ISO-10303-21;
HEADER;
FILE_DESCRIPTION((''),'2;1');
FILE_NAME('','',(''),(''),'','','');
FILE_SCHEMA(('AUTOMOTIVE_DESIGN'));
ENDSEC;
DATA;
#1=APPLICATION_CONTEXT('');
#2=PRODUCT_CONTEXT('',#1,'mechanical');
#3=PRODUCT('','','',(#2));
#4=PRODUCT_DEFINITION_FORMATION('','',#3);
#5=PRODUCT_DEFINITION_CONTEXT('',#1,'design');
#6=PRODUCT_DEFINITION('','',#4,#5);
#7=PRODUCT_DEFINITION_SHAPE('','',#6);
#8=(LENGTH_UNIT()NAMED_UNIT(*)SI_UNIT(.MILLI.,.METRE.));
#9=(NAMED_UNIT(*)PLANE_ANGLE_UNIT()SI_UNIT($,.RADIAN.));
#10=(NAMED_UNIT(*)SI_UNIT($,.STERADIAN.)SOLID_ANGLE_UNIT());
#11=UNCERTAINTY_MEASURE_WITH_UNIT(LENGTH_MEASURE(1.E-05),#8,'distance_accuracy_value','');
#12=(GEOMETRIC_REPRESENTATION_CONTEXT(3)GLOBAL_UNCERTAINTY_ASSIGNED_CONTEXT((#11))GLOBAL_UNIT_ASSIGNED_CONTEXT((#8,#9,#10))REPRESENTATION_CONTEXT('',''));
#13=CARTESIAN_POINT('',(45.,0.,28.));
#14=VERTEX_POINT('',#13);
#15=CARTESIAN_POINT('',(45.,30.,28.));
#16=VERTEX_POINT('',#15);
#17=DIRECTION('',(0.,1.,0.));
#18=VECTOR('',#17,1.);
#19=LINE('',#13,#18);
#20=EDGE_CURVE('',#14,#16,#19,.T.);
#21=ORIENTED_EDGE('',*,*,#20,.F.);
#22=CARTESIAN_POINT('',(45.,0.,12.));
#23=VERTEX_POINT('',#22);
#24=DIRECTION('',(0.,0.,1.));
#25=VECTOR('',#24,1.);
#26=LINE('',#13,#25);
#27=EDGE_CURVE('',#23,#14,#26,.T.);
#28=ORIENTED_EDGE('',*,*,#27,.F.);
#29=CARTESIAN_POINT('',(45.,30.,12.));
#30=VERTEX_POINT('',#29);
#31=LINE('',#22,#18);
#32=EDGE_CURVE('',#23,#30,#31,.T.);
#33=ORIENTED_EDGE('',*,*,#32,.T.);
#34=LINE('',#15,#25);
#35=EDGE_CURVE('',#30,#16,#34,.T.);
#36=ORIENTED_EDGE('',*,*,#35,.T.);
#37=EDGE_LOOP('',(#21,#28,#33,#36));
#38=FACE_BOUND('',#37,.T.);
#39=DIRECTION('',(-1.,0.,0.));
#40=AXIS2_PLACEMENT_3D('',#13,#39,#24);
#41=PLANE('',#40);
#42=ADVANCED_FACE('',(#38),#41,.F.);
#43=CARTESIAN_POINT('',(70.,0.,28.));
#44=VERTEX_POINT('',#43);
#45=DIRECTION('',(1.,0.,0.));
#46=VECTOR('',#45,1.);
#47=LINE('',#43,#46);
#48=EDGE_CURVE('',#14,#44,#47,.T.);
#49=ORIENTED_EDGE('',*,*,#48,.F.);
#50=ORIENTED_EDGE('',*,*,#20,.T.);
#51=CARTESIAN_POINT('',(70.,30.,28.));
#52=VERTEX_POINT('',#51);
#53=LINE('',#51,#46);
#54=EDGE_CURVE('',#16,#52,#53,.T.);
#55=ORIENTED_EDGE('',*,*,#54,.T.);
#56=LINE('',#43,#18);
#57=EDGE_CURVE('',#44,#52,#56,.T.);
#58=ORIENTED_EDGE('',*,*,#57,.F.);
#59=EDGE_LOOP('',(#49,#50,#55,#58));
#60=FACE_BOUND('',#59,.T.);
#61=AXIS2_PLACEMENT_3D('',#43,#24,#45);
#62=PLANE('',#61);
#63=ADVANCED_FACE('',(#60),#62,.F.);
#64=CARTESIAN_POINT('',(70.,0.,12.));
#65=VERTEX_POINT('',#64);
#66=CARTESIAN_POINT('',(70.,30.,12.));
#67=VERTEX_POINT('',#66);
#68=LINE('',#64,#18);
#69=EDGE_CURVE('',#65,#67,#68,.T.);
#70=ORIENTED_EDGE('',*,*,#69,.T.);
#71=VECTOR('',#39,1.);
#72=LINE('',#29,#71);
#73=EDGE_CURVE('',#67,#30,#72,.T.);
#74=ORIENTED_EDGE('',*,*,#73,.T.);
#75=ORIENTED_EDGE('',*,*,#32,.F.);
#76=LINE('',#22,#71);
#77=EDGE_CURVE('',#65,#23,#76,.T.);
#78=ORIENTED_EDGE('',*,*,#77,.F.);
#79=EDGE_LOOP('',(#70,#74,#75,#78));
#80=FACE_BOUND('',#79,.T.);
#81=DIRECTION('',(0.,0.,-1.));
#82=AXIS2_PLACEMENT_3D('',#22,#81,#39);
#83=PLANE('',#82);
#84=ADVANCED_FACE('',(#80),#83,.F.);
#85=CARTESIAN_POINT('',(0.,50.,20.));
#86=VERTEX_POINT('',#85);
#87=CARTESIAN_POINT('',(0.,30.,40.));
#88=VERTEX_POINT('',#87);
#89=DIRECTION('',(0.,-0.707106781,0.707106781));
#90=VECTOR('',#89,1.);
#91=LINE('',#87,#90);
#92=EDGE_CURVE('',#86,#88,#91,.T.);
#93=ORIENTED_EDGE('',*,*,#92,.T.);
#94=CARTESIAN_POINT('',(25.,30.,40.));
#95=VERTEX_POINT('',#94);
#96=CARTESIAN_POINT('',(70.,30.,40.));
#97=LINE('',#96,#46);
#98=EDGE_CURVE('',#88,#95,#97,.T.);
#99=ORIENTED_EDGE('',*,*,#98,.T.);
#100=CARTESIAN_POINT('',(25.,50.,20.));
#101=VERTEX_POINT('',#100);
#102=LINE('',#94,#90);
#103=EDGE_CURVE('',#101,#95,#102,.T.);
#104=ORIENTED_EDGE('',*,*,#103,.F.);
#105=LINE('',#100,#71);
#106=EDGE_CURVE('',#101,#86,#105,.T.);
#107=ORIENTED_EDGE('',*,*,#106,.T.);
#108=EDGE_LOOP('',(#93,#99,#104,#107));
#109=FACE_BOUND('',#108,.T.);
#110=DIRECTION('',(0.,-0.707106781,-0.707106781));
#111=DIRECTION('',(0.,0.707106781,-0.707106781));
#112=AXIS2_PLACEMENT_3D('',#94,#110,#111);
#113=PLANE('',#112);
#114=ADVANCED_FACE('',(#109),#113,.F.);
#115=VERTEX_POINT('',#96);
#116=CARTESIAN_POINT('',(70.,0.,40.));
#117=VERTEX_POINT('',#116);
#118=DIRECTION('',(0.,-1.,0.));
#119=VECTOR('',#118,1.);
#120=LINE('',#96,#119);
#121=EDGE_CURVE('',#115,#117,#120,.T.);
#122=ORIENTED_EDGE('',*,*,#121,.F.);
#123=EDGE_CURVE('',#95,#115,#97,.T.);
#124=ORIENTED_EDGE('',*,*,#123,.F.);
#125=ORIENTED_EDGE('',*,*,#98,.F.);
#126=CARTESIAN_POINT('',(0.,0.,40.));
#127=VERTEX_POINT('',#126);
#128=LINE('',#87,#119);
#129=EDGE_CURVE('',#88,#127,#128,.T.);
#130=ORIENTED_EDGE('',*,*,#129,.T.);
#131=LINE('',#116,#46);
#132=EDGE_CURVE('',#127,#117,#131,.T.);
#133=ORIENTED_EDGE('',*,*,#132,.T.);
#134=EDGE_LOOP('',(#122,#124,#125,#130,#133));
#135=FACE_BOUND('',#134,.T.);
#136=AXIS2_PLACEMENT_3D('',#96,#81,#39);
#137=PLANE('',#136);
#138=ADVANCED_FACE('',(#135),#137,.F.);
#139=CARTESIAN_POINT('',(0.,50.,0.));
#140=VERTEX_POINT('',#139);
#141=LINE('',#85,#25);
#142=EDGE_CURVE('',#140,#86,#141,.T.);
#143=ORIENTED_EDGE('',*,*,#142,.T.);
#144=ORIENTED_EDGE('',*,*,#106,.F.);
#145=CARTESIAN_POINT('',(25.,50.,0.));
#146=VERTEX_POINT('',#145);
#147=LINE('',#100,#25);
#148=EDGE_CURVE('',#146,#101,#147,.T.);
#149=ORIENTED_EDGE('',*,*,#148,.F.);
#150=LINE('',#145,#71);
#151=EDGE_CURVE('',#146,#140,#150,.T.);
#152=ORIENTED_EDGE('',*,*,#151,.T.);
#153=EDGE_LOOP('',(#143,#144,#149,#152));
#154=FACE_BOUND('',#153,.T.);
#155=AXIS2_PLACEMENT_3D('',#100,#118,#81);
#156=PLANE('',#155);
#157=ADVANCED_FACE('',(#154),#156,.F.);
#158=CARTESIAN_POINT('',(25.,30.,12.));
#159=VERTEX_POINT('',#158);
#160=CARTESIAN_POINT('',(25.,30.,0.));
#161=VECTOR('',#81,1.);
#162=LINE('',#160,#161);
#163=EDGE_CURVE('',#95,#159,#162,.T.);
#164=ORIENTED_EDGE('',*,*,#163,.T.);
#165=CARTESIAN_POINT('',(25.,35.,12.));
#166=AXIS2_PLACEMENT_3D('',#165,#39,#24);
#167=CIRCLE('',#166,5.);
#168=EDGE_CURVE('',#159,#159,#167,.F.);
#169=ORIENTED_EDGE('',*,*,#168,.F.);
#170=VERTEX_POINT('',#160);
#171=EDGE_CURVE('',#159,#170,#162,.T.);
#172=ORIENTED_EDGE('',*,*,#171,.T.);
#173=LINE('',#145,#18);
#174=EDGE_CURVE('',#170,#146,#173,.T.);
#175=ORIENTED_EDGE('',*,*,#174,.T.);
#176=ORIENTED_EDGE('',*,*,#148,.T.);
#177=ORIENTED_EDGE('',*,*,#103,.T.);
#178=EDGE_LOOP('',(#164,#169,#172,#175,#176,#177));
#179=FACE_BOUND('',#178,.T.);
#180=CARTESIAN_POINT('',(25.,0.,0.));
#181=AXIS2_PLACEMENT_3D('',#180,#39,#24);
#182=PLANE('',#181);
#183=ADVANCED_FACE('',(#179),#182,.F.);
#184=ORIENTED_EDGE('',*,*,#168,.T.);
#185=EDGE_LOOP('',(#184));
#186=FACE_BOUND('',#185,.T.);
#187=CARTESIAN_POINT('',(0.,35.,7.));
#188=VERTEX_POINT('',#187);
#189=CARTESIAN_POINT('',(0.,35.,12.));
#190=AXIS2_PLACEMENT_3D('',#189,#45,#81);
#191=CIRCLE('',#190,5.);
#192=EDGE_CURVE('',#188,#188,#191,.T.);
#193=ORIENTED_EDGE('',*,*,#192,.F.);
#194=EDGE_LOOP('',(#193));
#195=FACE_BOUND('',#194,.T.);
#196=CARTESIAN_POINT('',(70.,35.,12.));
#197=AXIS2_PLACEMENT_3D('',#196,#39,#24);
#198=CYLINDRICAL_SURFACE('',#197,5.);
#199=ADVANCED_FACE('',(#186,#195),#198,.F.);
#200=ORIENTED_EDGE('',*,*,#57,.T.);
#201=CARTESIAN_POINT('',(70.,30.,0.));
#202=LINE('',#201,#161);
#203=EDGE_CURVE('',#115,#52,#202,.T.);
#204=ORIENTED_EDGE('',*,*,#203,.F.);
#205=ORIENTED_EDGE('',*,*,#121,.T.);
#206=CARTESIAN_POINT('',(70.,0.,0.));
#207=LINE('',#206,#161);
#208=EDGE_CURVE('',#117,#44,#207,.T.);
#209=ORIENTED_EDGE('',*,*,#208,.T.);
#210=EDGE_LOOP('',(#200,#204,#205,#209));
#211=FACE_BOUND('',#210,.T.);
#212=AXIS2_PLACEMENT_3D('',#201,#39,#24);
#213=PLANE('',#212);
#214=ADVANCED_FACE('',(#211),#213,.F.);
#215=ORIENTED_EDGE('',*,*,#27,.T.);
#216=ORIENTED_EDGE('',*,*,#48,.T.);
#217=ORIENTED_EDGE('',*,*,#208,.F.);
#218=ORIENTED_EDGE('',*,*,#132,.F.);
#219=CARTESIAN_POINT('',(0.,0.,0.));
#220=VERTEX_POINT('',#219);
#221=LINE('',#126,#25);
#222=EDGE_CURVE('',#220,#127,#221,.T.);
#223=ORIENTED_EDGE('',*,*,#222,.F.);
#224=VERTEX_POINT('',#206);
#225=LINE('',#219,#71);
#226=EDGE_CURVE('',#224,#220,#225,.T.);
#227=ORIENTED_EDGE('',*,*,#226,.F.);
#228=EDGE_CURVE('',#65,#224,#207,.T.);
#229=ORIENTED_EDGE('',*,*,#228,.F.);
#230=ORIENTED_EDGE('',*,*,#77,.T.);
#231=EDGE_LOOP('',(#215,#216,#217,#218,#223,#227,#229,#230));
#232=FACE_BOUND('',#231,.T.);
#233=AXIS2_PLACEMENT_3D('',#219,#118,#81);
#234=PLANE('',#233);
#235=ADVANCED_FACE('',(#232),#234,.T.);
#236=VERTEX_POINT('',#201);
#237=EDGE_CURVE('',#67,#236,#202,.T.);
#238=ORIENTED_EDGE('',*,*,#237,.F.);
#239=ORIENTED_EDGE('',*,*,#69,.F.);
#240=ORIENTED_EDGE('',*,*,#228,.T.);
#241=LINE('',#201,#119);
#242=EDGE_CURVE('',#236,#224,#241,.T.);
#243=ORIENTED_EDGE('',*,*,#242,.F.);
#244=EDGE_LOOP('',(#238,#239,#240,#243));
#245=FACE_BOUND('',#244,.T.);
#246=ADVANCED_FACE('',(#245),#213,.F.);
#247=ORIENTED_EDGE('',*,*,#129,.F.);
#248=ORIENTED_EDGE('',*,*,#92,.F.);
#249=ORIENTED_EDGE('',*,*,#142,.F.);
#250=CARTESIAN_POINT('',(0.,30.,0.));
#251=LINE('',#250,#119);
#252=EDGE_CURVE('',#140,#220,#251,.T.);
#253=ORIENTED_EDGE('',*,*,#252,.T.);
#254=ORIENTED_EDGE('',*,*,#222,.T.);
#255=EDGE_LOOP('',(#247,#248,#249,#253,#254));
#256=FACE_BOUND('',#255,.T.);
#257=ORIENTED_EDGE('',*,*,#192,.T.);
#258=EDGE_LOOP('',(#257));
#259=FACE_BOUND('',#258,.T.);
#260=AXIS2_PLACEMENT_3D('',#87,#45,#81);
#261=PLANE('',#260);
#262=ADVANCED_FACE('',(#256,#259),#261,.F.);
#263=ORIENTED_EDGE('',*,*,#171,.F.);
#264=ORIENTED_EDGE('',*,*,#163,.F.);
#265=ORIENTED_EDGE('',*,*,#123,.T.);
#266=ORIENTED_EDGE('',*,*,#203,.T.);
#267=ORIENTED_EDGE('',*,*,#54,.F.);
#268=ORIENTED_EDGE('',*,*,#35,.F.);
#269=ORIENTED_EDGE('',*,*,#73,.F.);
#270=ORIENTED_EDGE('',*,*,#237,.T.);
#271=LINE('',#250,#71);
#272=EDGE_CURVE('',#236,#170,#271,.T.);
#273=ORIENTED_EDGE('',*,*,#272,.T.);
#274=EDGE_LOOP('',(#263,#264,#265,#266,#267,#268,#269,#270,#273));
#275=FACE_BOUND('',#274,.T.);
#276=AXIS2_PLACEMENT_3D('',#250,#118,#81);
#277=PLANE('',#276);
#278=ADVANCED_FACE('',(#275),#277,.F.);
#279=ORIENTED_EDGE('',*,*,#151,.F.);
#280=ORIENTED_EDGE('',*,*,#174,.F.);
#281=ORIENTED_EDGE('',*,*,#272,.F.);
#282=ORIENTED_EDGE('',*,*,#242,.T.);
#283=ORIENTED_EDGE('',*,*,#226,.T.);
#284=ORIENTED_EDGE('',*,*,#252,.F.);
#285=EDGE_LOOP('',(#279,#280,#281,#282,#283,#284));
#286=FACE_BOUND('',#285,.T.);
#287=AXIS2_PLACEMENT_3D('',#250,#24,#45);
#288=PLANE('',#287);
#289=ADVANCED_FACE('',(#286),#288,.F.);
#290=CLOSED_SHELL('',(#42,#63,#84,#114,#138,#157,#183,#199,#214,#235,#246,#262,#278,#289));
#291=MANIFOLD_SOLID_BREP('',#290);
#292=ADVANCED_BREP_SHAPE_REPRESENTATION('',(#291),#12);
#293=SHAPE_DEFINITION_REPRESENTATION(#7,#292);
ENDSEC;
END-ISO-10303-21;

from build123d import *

# Parameters (mm, degrees)
SKETCH_1_W          = 70
SKETCH_1_H          = 40
EXTRUDE_1_DEPTH     = 30
SKETCH_6_W          = 25
SKETCH_6_H          = 16
CUT_EXTRUDE_2_DEPTH = 87.02325267
EXTRUDE_6_DEPTH     = 25
SKETCH_10_R         = 5
CUT_EXTRUDE_4_DEPTH = 95.868329805


with BuildPart() as part:
    # 草图1 → 凸台-拉伸1 (new body)
    with BuildSketch(Plane(origin=(0, 0, 0), x_dir=(1, 0, 0), z_dir=(0, 1, 0))):
        with Locations((35, -20)):
            Rectangle(SKETCH_1_W, SKETCH_1_H)
    extrude(amount=EXTRUDE_1_DEPTH)

    # 草图6 → 切除-拉伸2 (cut, through all)
    with BuildSketch(Plane(origin=(0, 30, 0), x_dir=(1, 0, 0), z_dir=(0, 1, 0))):
        with Locations((57.5, -20)):
            Rectangle(SKETCH_6_W, SKETCH_6_H)
    extrude(amount=-CUT_EXTRUDE_2_DEPTH, mode=Mode.SUBTRACT)

    # 草图9 → 凸台-拉伸6 (add)
    with BuildSketch(Plane(origin=(0, 0, 0), x_dir=(0, 0, -1), z_dir=(1, 0, 0))):
        Polygon((0, 0), (-40, 0), (-40, 30), (-20, 50), (0, 50), align=None)
    extrude(amount=EXTRUDE_6_DEPTH)

    # 草图10 → 切除-拉伸4 (cut, through all)
    with BuildSketch(Plane(origin=(0, 0, 0), x_dir=(0, 0, -1), z_dir=(1, 0, 0))):
        with Locations(Location((-12, 35, 0), (0, 0, 270))):
            Circle(SKETCH_10_R)
    extrude(amount=CUT_EXTRUDE_4_DEPTH, mode=Mode.SUBTRACT)


solid = part.part
